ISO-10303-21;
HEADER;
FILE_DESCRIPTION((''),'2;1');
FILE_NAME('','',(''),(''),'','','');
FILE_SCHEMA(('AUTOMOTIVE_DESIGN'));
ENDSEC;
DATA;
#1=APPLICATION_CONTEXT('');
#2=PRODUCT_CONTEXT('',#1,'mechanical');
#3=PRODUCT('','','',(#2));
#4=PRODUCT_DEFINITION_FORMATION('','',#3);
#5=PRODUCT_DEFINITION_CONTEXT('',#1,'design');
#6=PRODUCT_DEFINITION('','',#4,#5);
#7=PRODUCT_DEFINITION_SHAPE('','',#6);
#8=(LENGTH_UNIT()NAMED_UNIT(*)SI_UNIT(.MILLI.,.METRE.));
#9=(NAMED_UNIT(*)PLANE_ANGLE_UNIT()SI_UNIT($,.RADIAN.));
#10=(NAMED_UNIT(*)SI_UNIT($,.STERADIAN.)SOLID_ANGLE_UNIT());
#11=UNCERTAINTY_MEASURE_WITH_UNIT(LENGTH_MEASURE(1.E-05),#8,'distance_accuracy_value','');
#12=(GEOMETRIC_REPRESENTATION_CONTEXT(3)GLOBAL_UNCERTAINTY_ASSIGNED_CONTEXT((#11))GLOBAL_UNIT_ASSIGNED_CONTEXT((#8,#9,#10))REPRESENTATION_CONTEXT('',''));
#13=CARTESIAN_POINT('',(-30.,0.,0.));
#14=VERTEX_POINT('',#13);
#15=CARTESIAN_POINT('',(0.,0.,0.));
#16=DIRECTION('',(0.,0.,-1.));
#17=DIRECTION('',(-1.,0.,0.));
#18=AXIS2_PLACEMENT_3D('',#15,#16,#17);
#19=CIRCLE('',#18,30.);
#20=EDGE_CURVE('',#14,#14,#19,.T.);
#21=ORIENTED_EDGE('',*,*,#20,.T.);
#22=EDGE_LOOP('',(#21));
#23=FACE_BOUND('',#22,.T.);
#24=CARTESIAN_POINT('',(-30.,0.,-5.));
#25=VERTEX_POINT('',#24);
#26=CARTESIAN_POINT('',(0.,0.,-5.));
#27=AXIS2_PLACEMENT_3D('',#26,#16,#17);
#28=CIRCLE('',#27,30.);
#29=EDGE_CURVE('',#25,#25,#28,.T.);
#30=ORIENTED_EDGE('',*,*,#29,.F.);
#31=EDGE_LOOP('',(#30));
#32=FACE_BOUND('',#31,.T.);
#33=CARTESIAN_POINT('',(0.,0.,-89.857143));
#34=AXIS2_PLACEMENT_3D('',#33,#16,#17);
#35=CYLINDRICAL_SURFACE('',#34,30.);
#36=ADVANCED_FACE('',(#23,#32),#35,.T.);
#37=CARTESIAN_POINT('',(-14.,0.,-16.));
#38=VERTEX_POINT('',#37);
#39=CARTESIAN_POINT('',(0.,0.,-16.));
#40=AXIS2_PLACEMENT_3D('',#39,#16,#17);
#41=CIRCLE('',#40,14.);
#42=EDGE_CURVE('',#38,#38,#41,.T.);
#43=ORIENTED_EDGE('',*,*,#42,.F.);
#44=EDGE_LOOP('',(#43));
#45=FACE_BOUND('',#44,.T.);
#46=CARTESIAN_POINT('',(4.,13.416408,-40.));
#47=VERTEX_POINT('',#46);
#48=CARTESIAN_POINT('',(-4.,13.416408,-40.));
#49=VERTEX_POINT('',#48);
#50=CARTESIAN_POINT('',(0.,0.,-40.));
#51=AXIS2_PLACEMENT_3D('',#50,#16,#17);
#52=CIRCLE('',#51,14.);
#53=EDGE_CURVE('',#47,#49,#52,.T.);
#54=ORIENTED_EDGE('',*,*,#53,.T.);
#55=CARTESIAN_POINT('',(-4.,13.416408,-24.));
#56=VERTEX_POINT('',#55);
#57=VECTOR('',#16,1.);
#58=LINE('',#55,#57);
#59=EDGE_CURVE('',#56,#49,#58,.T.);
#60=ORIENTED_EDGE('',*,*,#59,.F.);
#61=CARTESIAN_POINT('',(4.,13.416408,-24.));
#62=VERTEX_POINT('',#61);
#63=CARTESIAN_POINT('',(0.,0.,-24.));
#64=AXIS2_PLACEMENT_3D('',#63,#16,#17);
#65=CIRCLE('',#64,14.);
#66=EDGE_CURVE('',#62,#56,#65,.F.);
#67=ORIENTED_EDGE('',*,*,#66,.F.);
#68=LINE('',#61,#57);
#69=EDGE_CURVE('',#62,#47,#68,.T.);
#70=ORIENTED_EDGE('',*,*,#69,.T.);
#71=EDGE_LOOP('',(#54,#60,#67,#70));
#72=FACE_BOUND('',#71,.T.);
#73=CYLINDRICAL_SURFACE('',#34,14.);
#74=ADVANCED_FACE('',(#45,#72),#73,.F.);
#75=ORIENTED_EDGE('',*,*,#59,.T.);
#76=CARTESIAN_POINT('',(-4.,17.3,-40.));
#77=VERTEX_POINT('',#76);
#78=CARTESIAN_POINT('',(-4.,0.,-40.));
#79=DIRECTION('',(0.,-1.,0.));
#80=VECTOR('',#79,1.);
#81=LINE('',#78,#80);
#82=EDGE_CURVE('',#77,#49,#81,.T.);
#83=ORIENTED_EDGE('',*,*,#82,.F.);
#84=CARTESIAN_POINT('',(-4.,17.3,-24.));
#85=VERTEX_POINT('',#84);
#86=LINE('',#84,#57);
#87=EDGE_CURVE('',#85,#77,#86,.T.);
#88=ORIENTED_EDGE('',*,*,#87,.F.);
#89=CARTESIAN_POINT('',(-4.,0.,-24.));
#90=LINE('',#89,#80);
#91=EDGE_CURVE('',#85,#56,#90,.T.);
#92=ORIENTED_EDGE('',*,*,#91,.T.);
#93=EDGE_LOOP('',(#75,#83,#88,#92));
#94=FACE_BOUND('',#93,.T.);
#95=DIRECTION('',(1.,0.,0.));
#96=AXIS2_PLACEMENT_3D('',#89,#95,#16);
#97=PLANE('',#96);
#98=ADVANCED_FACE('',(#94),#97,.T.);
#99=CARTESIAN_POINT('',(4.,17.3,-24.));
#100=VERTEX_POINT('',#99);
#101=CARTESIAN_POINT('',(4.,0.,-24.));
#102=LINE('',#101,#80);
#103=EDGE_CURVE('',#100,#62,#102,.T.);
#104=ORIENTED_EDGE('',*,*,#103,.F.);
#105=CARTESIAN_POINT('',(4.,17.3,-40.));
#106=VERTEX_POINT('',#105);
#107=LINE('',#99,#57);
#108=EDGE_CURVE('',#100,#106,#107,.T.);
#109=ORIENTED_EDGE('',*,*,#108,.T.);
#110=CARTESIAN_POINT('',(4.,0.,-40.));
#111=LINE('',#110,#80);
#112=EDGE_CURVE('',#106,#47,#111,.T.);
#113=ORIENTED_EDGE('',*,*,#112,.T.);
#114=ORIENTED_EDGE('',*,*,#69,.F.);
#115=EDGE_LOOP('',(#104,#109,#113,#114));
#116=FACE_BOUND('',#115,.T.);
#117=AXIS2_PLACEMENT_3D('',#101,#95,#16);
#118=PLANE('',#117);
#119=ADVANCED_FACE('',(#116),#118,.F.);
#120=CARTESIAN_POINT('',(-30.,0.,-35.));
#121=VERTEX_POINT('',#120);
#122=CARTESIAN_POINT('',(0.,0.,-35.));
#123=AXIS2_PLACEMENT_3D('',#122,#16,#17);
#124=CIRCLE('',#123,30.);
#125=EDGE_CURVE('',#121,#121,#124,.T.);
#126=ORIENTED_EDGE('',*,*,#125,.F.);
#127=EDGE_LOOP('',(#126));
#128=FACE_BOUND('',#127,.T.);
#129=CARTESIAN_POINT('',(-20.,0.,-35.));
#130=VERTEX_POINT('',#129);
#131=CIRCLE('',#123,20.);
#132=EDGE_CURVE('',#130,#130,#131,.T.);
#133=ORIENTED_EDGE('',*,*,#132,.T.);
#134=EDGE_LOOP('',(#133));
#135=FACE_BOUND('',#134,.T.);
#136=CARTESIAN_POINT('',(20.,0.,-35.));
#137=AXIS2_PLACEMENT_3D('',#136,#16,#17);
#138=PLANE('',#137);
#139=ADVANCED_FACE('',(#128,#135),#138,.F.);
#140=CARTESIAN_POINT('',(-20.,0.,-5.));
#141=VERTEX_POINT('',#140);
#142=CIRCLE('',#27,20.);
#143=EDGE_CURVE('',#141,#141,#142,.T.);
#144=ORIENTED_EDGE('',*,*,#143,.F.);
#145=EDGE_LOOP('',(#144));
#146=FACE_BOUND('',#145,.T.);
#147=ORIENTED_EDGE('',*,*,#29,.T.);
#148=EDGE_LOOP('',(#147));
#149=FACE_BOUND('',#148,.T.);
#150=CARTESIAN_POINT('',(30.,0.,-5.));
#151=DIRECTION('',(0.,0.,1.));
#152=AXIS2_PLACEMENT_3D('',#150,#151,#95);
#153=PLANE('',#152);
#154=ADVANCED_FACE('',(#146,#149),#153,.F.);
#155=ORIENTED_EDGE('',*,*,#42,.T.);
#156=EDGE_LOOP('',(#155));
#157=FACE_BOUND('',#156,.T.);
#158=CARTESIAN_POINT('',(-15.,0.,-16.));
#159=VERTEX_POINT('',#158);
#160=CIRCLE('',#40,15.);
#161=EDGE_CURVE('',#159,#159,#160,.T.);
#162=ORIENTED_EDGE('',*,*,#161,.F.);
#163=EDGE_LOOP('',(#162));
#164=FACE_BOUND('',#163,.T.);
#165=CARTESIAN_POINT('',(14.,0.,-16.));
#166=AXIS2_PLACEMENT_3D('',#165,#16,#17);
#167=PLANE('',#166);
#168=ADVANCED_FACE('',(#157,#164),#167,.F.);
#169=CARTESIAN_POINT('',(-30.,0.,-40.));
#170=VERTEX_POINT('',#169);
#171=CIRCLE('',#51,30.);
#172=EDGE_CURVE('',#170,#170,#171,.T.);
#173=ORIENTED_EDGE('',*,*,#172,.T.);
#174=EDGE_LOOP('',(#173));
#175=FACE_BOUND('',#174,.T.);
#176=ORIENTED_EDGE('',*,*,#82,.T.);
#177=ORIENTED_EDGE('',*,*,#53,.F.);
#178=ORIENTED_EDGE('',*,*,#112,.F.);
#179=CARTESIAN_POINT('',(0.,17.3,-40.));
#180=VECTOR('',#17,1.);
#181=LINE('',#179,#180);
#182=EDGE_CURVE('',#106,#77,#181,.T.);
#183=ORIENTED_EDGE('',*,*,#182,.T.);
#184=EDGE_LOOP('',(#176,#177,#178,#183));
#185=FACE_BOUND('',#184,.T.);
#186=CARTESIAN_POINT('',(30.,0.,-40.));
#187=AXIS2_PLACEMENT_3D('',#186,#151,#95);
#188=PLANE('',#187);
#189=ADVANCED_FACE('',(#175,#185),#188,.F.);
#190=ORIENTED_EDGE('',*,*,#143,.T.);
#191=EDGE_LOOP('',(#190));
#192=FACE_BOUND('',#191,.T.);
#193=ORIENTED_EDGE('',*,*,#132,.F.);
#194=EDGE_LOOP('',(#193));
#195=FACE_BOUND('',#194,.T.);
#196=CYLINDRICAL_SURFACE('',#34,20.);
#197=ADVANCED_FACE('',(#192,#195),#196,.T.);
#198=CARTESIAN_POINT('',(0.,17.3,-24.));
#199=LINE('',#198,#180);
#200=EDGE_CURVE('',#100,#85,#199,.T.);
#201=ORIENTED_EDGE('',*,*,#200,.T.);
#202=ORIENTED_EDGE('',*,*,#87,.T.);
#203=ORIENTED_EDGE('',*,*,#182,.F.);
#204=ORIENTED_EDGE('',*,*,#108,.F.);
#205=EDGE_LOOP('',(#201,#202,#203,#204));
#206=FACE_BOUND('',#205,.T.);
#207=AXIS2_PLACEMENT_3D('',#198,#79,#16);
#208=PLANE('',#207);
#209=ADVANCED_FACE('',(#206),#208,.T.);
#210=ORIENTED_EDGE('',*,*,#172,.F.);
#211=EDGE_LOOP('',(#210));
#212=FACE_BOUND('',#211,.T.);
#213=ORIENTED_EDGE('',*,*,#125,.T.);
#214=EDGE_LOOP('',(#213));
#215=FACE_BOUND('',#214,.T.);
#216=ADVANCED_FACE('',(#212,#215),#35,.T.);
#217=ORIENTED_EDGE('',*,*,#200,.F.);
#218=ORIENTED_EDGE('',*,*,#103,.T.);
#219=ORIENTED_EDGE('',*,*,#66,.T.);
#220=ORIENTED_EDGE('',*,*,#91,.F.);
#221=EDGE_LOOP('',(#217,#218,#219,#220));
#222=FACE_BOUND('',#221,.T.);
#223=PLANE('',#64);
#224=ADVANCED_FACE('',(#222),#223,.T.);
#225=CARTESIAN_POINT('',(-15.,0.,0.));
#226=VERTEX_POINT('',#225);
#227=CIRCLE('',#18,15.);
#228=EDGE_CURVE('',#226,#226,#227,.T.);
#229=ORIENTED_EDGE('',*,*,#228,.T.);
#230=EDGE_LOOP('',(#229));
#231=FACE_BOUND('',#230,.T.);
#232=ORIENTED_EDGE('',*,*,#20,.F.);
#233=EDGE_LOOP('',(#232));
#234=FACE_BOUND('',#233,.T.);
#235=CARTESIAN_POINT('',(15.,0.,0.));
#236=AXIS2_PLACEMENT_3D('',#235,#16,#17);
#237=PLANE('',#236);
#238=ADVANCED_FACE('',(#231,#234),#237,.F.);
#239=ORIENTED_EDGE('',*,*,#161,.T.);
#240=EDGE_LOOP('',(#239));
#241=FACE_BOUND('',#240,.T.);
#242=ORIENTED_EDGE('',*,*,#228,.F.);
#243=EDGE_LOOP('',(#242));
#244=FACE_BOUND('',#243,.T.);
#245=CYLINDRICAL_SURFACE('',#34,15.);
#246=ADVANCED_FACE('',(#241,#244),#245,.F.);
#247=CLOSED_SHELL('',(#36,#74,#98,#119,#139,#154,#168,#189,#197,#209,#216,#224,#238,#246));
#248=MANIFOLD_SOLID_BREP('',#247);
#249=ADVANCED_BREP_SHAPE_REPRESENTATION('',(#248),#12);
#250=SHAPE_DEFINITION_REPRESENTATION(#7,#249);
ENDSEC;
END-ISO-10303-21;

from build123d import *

# Parameters (mm, degrees)
CUT_EXTRUDE1_START = -16
CUT_EXTRUDE1_DEPTH = 16


with BuildPart() as part:
    # Sketch1 → Revolve1 (revolve)
    with BuildSketch(Plane(origin=(0, 0, 0), x_dir=(1, 0, 0), z_dir=(0, 1, 0)), mode=Mode.PRIVATE) as revolve1_sk:
        Polygon((15, 0), (30, 0), (30, 5), (20, 5), (20, 35), (30, 35), (30, 40), (14, 40), (14, 16), (15, 16), align=None)
    revolve(revolve1_sk.sketch.rotate(Axis((0, 0, -89.857142857), (0, 0, 1)), 180), axis=Axis((0, 0, -89.857142857), (0, 0, 1)))

    # Sketch2 → Cut-Extrude1 (cut)
    with BuildSketch(Plane(origin=(0, 0, -40), x_dir=(-1, 0, 0), z_dir=(0, 0, -1)).offset(CUT_EXTRUDE1_START)):
        with BuildLine():
            Line((4, 17.3), (-4, 17.3))
            Line((-4, 17.3), (-4, 13.416407865))
            ThreePointArc((-4, 13.416407865), (0, 14), (4, 13.416407865))
            Line((4, 13.416407865), (4, 17.3))
        make_face()
    extrude(amount=CUT_EXTRUDE1_DEPTH, mode=Mode.SUBTRACT)


solid = part.part
